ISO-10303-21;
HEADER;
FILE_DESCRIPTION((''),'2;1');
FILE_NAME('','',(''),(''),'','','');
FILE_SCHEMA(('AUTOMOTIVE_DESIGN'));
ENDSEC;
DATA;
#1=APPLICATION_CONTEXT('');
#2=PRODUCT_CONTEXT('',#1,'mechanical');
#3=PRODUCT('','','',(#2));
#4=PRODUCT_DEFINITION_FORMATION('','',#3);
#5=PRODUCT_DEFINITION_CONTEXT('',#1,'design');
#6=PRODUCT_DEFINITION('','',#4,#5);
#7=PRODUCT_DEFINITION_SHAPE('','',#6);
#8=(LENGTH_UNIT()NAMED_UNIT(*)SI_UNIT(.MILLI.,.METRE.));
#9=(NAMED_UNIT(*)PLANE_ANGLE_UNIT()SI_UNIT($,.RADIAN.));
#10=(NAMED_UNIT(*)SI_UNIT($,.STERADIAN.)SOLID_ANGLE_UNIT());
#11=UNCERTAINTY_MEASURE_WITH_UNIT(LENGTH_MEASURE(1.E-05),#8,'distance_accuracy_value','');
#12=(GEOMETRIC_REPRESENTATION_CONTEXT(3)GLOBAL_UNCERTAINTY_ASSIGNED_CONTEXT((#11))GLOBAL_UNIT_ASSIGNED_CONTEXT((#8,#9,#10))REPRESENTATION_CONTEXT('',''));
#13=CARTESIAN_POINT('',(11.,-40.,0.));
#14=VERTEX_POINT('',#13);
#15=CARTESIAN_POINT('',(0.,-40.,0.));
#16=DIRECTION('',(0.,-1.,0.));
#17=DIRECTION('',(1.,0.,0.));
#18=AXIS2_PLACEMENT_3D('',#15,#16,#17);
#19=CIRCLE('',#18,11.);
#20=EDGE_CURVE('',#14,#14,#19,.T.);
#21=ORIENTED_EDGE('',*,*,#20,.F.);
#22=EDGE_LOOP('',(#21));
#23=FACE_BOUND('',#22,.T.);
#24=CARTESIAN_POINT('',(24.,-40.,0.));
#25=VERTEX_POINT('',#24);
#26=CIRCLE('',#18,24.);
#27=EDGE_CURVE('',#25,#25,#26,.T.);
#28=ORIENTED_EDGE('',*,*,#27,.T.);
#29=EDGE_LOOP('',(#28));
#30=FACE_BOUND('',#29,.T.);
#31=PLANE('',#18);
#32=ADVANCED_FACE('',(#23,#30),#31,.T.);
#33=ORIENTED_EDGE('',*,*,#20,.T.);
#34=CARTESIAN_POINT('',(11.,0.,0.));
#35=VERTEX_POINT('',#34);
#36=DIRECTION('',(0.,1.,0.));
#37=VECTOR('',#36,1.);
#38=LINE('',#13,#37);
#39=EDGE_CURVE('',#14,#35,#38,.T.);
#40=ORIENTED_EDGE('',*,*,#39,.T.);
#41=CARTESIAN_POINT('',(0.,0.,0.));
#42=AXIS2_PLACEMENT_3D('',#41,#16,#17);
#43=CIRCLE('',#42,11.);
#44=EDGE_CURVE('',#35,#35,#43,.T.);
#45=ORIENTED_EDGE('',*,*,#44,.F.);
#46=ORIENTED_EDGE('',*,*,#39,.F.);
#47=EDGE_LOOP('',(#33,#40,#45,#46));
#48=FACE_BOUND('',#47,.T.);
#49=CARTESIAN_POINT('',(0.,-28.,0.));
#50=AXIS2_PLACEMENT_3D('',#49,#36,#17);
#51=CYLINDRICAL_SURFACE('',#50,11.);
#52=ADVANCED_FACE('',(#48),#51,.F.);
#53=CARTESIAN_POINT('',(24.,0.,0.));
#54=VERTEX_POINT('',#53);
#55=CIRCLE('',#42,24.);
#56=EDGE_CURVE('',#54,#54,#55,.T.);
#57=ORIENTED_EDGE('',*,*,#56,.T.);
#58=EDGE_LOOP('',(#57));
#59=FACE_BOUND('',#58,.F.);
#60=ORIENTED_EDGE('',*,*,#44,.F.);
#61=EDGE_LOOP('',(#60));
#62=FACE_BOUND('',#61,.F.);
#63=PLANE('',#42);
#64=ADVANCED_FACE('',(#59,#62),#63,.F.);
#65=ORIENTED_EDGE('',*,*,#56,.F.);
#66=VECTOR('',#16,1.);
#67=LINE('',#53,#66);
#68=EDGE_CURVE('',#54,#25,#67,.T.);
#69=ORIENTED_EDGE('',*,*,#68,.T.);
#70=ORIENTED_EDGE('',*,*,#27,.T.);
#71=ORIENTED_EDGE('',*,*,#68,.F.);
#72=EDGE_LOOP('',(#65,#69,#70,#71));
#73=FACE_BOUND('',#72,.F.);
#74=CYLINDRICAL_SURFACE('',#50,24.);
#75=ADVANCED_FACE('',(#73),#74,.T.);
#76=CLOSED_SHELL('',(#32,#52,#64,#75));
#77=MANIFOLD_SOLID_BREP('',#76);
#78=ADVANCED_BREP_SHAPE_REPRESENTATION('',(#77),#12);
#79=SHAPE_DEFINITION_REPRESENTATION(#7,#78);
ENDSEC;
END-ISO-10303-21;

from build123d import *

# Parameters (mm, degrees)
F0_R     = 24
F0_R_2   = 11
F1_DEPTH = 12
F2_R     = 24
F2_R_2   = 11
F3_DEPTH = 16
F4_R     = 24
F4_R_2   = 11
F5_DEPTH = 12


with BuildPart() as f1:
    # F0 (on Front) → F1 (new body)
    with BuildSketch(Plane.XZ):
        Circle(F0_R)
        Circle(F0_R_2, mode=Mode.SUBTRACT)
    extrude(amount=F1_DEPTH)

    # F2 (on face) → F3 (join)
    with BuildSketch(Plane.XZ.offset(12)):
        Circle(F2_R)
        Circle(F2_R_2, mode=Mode.SUBTRACT)
    extrude(amount=F3_DEPTH)

    # F4 (on face) → F5 (join)
    with BuildSketch(Plane.XZ.offset(28)):
        Circle(F4_R)
        Circle(F4_R_2, mode=Mode.SUBTRACT)
    extrude(amount=F5_DEPTH)


solid = f1.part
